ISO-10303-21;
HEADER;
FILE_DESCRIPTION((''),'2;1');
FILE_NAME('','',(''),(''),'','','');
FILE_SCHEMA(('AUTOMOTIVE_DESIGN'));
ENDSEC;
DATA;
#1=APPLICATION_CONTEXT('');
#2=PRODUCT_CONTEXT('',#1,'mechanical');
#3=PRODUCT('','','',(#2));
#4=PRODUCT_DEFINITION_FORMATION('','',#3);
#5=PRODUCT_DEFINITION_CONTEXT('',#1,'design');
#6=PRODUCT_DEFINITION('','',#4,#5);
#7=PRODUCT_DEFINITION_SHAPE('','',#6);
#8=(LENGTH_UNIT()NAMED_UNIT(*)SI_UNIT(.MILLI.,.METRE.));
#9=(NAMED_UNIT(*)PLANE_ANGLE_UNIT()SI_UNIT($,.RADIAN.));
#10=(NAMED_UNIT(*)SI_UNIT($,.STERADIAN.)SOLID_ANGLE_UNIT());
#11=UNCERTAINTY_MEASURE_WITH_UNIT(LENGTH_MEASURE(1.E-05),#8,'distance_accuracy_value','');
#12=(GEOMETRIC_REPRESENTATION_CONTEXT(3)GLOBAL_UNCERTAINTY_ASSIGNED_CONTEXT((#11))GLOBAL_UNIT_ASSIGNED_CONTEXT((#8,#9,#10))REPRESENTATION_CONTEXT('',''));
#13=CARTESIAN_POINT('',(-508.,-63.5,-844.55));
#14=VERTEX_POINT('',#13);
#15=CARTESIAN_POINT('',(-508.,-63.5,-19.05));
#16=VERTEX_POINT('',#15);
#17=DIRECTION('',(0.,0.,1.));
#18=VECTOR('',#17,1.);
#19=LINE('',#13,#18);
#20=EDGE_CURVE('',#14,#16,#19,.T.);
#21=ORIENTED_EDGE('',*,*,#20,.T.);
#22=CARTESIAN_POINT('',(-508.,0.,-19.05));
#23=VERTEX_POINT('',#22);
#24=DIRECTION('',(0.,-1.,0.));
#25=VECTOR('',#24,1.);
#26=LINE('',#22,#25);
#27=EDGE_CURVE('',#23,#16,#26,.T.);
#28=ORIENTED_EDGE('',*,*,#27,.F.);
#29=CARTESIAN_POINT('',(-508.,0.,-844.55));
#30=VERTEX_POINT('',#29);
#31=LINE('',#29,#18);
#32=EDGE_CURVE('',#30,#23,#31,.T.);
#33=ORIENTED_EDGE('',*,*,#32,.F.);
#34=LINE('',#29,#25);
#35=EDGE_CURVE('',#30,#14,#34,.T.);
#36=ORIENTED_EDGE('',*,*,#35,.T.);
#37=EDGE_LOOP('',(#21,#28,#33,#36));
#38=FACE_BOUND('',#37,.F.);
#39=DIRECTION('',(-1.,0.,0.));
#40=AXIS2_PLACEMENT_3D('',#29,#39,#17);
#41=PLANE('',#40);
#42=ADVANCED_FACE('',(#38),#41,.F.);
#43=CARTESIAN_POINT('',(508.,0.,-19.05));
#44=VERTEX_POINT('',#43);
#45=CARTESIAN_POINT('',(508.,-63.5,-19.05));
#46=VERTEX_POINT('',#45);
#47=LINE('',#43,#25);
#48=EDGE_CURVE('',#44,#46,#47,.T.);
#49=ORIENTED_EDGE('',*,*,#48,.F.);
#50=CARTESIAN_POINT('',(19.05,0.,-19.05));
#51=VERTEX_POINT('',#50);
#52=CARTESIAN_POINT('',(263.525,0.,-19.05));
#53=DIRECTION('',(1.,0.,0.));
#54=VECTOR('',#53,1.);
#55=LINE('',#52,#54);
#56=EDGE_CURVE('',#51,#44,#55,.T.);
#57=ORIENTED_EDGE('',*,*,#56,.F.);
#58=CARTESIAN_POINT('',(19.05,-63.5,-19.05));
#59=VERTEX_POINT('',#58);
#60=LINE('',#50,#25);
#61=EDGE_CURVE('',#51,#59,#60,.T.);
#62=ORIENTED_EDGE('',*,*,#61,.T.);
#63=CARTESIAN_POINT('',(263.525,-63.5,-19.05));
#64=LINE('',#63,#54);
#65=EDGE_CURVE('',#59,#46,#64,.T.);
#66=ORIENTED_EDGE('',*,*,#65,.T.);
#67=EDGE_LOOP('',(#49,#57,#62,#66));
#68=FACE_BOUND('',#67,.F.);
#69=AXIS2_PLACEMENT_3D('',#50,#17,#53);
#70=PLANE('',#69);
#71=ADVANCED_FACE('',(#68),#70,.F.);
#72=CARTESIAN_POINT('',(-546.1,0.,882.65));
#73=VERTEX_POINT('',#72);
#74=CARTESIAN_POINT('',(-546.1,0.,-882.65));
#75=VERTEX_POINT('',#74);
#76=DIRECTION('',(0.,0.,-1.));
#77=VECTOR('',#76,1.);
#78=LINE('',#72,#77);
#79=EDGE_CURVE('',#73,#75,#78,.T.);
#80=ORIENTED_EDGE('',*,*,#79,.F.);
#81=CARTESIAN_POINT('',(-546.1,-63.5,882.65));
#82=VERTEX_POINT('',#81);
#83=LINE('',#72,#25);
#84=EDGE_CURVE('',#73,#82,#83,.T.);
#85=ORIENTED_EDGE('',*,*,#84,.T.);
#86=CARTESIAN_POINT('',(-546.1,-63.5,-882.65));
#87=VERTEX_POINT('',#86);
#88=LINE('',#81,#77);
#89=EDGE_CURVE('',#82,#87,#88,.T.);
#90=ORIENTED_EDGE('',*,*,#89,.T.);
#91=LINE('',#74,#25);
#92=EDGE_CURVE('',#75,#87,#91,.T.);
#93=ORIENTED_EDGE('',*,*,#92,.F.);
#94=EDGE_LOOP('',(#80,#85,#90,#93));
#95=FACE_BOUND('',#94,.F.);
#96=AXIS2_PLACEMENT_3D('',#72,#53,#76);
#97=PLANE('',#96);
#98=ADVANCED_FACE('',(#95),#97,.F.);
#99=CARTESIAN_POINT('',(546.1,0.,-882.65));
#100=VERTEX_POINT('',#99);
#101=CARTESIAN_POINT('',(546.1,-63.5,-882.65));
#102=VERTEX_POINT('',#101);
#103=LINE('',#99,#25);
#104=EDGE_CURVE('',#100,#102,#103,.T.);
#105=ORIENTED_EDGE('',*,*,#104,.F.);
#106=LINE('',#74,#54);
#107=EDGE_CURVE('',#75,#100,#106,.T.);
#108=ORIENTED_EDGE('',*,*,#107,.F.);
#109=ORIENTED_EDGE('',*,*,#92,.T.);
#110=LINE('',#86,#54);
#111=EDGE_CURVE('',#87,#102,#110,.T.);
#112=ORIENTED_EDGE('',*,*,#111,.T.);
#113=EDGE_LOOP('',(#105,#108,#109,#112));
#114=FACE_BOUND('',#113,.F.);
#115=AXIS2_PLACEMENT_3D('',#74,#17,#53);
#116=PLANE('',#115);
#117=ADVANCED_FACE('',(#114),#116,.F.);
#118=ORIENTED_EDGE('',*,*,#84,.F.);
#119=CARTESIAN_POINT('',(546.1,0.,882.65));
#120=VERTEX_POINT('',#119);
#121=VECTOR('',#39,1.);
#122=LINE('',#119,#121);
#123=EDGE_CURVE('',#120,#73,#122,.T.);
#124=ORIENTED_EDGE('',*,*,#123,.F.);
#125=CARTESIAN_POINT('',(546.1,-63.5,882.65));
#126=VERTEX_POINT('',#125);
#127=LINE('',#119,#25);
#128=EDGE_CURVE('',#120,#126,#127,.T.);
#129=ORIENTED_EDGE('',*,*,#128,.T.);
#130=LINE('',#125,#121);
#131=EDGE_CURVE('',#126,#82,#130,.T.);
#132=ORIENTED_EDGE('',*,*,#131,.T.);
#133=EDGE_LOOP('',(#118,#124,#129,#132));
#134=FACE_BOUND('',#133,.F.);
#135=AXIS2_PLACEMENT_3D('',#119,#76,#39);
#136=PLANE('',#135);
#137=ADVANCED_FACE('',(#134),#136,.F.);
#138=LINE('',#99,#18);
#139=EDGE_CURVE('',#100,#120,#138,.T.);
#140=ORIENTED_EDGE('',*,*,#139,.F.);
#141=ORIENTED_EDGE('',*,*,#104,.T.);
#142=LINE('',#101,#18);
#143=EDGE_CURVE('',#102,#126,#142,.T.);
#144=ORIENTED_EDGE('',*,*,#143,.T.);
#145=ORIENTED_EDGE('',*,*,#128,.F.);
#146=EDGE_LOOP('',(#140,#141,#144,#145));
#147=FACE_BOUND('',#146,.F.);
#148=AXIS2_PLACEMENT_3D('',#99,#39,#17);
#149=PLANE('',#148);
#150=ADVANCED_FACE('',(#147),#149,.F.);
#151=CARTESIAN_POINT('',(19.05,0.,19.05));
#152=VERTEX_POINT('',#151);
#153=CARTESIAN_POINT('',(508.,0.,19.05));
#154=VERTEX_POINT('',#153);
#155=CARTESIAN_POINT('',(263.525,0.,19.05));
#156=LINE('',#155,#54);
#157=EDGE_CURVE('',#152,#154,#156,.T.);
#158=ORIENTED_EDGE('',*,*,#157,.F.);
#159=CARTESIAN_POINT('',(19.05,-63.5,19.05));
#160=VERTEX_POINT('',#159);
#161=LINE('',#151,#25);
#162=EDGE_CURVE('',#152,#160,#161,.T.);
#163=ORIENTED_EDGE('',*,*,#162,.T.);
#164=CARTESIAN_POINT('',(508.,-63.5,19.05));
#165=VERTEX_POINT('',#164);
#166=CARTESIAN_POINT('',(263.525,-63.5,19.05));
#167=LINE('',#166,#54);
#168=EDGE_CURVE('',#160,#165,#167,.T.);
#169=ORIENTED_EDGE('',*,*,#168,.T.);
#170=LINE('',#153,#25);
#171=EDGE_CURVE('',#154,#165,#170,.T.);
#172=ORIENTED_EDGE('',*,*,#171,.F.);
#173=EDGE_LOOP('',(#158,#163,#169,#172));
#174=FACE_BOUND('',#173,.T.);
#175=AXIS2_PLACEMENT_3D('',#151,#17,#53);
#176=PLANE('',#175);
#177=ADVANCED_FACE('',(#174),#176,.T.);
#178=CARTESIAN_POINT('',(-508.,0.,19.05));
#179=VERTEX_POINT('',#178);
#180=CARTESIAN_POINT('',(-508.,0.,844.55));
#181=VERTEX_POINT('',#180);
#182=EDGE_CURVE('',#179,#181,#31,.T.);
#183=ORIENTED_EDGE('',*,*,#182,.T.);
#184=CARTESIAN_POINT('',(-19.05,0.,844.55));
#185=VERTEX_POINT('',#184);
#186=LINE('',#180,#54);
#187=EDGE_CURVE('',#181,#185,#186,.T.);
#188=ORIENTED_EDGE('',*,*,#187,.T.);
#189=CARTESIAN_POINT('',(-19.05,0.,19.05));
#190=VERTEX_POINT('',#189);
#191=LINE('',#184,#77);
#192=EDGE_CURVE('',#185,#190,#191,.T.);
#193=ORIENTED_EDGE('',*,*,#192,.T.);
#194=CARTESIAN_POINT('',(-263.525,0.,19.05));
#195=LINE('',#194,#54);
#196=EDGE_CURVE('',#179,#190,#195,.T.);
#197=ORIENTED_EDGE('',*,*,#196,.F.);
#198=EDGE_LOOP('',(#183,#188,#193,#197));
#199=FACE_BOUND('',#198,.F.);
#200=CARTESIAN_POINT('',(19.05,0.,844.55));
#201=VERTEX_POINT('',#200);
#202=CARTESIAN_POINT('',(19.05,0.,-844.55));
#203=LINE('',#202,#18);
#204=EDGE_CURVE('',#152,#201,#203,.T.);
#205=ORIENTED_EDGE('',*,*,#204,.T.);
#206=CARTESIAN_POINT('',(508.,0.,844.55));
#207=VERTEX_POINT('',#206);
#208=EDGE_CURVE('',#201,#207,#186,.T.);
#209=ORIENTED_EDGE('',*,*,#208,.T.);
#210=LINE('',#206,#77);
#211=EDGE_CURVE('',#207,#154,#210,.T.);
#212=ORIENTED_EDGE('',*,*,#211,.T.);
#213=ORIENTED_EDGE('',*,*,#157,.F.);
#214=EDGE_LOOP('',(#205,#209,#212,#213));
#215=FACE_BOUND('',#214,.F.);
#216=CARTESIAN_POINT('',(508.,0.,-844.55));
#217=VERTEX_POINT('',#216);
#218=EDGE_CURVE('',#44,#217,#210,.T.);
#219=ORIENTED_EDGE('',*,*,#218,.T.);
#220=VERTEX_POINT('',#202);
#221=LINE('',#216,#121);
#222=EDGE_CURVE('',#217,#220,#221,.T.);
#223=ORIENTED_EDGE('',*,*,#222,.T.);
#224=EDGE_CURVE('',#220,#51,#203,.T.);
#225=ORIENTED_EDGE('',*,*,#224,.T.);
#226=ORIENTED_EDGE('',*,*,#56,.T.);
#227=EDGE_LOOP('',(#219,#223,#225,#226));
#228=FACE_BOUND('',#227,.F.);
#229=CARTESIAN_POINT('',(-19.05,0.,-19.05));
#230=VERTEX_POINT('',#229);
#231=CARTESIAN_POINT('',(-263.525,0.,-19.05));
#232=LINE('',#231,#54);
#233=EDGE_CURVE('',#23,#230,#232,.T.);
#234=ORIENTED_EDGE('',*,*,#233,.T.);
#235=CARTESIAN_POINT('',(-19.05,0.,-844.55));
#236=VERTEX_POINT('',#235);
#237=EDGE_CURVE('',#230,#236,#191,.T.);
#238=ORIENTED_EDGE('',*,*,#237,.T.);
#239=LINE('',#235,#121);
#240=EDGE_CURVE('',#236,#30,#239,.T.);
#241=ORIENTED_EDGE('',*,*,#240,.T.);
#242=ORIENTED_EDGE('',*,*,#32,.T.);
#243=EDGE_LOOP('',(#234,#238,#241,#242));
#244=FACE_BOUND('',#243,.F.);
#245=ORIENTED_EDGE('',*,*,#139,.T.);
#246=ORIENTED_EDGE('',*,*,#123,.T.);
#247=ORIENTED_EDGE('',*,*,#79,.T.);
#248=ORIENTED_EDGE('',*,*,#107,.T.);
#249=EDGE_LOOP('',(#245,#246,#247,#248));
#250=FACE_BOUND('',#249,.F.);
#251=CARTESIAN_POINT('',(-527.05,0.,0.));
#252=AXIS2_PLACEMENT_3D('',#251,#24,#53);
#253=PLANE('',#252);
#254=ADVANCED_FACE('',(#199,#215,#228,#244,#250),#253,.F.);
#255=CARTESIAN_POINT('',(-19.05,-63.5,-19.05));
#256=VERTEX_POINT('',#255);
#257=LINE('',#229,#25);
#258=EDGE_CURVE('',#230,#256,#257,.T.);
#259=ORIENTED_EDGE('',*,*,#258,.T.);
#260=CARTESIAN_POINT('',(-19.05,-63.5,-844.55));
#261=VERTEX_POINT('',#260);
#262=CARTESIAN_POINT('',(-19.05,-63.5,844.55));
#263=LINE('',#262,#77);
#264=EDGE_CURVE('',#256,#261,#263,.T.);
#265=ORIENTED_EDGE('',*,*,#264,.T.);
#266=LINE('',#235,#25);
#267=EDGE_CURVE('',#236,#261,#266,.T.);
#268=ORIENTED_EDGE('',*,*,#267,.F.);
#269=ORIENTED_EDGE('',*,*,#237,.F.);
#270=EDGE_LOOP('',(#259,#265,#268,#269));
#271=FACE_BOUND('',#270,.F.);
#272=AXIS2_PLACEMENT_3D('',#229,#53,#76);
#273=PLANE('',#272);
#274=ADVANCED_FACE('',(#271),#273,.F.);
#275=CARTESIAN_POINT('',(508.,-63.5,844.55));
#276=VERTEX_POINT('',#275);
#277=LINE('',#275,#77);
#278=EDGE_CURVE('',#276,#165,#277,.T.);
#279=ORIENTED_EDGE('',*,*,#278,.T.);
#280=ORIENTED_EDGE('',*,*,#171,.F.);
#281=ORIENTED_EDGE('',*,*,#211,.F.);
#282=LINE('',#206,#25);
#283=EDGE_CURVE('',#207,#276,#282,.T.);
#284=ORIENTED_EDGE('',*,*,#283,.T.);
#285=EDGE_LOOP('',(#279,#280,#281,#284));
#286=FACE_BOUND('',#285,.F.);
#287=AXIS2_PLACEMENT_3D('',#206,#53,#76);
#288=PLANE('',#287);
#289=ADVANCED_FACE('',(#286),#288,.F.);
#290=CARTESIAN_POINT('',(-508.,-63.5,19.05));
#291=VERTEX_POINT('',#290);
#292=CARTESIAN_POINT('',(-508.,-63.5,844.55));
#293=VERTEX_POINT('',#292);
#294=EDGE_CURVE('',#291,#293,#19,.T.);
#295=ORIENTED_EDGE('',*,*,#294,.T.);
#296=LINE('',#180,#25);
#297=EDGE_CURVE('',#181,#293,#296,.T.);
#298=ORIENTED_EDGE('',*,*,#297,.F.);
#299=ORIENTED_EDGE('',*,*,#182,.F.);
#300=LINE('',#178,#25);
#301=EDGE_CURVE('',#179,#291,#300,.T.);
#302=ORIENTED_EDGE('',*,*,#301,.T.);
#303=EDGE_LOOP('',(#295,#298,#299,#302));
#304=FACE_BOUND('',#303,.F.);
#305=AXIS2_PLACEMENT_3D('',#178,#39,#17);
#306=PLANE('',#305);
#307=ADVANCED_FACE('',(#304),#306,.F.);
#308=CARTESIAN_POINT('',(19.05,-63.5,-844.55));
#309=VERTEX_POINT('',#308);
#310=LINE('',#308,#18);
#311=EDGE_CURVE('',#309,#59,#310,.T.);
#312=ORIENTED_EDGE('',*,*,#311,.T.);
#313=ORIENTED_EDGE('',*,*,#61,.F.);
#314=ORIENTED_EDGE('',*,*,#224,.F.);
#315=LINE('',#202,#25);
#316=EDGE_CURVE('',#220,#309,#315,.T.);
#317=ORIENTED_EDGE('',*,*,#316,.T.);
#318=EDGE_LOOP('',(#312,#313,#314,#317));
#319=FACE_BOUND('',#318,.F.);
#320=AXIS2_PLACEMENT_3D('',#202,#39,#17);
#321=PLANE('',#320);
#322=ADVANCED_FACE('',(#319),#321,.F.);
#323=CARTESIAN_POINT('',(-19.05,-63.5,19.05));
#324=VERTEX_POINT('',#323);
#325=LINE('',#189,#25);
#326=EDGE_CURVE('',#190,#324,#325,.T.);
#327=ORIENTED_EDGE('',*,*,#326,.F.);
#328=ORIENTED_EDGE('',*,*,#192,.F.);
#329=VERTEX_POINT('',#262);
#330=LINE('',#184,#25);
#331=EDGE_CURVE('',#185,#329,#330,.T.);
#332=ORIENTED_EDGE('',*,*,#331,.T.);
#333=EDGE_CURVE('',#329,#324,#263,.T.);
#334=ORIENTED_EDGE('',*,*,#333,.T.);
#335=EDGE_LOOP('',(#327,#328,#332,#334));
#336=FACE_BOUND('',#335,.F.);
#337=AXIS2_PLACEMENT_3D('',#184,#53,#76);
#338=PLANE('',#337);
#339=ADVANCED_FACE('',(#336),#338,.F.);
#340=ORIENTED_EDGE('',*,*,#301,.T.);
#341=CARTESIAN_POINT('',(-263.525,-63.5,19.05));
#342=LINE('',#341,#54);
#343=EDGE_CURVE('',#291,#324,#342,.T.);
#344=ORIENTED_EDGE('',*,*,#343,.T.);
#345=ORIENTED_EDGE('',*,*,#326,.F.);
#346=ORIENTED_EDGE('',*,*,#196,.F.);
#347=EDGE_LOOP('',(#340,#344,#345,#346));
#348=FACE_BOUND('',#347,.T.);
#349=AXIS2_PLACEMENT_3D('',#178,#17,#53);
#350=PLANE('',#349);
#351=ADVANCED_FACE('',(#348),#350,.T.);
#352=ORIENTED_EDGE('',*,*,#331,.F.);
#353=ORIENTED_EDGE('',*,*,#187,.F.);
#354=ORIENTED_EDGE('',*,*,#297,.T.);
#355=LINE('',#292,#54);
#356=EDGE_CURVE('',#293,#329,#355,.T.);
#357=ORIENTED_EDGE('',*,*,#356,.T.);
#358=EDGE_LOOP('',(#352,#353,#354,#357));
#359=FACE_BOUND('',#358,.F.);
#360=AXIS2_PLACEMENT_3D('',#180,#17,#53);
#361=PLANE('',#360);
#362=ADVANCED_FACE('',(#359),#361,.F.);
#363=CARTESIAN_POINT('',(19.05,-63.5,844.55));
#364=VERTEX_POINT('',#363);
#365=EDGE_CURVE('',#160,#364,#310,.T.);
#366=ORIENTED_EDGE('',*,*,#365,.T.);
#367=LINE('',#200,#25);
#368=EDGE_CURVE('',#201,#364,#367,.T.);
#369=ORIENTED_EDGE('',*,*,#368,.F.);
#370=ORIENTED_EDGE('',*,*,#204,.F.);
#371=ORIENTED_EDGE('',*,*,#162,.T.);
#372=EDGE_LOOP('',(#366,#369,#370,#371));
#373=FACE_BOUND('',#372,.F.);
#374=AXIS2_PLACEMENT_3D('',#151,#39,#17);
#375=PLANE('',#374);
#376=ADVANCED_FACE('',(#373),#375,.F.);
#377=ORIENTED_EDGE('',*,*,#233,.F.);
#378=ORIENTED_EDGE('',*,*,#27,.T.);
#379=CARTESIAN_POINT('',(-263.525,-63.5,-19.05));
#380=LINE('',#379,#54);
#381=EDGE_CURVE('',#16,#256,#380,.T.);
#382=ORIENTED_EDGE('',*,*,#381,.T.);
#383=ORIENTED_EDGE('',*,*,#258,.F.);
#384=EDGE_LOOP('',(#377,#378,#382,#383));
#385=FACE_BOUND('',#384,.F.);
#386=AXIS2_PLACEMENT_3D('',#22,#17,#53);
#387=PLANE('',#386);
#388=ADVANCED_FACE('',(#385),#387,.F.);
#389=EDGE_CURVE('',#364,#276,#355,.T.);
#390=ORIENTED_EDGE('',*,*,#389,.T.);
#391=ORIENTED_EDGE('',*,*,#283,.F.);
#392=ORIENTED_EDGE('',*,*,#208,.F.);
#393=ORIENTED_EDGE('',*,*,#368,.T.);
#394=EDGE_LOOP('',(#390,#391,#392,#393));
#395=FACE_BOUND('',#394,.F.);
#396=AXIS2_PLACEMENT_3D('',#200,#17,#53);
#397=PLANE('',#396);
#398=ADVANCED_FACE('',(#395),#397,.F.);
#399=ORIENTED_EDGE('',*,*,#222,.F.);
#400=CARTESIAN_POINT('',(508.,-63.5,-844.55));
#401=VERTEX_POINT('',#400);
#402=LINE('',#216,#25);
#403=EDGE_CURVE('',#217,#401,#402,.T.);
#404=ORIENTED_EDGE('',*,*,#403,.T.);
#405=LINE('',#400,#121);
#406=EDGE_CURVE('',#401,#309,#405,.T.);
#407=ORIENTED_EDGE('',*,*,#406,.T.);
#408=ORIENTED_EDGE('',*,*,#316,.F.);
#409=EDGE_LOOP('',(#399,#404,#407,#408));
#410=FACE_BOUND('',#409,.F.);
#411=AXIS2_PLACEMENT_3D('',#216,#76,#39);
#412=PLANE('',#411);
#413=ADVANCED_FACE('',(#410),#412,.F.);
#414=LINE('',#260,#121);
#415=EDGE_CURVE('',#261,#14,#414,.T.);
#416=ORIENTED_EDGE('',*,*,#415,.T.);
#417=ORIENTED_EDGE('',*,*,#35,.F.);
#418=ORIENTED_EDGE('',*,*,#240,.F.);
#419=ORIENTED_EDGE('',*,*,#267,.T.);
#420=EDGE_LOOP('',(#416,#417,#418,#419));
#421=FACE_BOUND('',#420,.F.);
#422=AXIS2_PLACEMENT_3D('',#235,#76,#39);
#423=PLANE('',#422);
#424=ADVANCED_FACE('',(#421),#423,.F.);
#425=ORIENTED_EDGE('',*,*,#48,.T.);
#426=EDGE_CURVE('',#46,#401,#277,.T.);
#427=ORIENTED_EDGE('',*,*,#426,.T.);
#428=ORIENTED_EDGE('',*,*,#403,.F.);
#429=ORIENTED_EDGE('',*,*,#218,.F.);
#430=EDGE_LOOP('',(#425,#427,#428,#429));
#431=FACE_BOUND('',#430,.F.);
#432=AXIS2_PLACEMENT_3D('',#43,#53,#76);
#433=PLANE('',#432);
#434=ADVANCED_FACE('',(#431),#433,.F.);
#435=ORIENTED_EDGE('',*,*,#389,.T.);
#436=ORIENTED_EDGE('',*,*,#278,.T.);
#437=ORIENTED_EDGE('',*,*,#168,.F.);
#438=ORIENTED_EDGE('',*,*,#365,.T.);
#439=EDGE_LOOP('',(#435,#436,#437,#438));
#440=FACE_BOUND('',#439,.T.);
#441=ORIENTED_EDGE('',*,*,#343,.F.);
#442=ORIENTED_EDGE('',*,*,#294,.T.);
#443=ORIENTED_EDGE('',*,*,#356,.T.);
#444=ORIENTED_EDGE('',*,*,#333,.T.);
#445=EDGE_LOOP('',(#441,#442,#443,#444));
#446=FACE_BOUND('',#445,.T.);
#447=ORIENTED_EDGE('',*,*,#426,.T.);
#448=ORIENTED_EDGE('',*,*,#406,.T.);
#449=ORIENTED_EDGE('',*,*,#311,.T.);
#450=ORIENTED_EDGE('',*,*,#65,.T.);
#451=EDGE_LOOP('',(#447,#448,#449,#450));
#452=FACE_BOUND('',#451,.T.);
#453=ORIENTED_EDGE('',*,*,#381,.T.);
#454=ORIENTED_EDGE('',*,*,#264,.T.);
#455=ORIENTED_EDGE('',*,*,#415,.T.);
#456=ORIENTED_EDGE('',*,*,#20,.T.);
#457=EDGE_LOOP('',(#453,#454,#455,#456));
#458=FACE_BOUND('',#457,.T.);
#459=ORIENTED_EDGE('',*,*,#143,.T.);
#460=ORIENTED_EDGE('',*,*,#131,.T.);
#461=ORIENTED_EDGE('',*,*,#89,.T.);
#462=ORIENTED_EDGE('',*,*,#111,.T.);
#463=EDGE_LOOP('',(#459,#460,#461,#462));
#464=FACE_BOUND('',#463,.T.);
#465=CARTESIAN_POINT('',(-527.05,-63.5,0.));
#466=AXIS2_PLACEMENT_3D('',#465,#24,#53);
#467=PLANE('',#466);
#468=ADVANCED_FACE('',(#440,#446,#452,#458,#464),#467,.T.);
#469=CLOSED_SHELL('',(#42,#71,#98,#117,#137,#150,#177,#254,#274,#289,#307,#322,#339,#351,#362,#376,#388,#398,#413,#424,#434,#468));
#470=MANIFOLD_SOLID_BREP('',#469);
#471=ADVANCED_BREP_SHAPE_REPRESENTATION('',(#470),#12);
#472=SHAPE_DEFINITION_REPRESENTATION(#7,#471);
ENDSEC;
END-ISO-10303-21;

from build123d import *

# Parameters (mm, degrees)
F0_W     = 488.95
F0_H     = 38.1
F1_DEPTH = 63.5


with BuildPart() as f1:
    # F0 (on Front) → F1 (new body)
    with BuildSketch(Plane.XZ):
        Polygon((-508, 844.55), (-546.1, 844.55), (-546.1, -844.55), (-508, -844.55), (-508, -19.05), (-508, 19.05), align=None)
        Polygon((546.1, -844.55), (546.1, 844.55), (508, 844.55), (508, 19.05), (508, -19.05), (508, -844.55), align=None)
        Polygon((546.1, 844.55), (546.1, 882.65), (-546.1, 882.65), (-546.1, 844.55), (-508, 844.55), (-19.05, 844.55), (19.05, 844.55), (508, 844.55), align=None)
        Polygon((19.05, 19.05), (19.05, 844.55), (-19.05, 844.55), (-19.05, 19.05), (-19.05, -19.05), (-19.05, -844.55), (19.05, -844.55), (19.05, -19.05), align=None)
        with Locations((263.525, 0)):
            Rectangle(F0_W, F0_H)
        with Locations((-263.525, 0)):
            Rectangle(F0_W, F0_H)
        Polygon((546.1, -882.65), (546.1, -844.55), (508, -844.55), (19.05, -844.55), (-19.05, -844.55), (-508, -844.55), (-546.1, -844.55), (-546.1, -882.65), align=None)
    extrude(amount=F1_DEPTH)


solid = f1.part
